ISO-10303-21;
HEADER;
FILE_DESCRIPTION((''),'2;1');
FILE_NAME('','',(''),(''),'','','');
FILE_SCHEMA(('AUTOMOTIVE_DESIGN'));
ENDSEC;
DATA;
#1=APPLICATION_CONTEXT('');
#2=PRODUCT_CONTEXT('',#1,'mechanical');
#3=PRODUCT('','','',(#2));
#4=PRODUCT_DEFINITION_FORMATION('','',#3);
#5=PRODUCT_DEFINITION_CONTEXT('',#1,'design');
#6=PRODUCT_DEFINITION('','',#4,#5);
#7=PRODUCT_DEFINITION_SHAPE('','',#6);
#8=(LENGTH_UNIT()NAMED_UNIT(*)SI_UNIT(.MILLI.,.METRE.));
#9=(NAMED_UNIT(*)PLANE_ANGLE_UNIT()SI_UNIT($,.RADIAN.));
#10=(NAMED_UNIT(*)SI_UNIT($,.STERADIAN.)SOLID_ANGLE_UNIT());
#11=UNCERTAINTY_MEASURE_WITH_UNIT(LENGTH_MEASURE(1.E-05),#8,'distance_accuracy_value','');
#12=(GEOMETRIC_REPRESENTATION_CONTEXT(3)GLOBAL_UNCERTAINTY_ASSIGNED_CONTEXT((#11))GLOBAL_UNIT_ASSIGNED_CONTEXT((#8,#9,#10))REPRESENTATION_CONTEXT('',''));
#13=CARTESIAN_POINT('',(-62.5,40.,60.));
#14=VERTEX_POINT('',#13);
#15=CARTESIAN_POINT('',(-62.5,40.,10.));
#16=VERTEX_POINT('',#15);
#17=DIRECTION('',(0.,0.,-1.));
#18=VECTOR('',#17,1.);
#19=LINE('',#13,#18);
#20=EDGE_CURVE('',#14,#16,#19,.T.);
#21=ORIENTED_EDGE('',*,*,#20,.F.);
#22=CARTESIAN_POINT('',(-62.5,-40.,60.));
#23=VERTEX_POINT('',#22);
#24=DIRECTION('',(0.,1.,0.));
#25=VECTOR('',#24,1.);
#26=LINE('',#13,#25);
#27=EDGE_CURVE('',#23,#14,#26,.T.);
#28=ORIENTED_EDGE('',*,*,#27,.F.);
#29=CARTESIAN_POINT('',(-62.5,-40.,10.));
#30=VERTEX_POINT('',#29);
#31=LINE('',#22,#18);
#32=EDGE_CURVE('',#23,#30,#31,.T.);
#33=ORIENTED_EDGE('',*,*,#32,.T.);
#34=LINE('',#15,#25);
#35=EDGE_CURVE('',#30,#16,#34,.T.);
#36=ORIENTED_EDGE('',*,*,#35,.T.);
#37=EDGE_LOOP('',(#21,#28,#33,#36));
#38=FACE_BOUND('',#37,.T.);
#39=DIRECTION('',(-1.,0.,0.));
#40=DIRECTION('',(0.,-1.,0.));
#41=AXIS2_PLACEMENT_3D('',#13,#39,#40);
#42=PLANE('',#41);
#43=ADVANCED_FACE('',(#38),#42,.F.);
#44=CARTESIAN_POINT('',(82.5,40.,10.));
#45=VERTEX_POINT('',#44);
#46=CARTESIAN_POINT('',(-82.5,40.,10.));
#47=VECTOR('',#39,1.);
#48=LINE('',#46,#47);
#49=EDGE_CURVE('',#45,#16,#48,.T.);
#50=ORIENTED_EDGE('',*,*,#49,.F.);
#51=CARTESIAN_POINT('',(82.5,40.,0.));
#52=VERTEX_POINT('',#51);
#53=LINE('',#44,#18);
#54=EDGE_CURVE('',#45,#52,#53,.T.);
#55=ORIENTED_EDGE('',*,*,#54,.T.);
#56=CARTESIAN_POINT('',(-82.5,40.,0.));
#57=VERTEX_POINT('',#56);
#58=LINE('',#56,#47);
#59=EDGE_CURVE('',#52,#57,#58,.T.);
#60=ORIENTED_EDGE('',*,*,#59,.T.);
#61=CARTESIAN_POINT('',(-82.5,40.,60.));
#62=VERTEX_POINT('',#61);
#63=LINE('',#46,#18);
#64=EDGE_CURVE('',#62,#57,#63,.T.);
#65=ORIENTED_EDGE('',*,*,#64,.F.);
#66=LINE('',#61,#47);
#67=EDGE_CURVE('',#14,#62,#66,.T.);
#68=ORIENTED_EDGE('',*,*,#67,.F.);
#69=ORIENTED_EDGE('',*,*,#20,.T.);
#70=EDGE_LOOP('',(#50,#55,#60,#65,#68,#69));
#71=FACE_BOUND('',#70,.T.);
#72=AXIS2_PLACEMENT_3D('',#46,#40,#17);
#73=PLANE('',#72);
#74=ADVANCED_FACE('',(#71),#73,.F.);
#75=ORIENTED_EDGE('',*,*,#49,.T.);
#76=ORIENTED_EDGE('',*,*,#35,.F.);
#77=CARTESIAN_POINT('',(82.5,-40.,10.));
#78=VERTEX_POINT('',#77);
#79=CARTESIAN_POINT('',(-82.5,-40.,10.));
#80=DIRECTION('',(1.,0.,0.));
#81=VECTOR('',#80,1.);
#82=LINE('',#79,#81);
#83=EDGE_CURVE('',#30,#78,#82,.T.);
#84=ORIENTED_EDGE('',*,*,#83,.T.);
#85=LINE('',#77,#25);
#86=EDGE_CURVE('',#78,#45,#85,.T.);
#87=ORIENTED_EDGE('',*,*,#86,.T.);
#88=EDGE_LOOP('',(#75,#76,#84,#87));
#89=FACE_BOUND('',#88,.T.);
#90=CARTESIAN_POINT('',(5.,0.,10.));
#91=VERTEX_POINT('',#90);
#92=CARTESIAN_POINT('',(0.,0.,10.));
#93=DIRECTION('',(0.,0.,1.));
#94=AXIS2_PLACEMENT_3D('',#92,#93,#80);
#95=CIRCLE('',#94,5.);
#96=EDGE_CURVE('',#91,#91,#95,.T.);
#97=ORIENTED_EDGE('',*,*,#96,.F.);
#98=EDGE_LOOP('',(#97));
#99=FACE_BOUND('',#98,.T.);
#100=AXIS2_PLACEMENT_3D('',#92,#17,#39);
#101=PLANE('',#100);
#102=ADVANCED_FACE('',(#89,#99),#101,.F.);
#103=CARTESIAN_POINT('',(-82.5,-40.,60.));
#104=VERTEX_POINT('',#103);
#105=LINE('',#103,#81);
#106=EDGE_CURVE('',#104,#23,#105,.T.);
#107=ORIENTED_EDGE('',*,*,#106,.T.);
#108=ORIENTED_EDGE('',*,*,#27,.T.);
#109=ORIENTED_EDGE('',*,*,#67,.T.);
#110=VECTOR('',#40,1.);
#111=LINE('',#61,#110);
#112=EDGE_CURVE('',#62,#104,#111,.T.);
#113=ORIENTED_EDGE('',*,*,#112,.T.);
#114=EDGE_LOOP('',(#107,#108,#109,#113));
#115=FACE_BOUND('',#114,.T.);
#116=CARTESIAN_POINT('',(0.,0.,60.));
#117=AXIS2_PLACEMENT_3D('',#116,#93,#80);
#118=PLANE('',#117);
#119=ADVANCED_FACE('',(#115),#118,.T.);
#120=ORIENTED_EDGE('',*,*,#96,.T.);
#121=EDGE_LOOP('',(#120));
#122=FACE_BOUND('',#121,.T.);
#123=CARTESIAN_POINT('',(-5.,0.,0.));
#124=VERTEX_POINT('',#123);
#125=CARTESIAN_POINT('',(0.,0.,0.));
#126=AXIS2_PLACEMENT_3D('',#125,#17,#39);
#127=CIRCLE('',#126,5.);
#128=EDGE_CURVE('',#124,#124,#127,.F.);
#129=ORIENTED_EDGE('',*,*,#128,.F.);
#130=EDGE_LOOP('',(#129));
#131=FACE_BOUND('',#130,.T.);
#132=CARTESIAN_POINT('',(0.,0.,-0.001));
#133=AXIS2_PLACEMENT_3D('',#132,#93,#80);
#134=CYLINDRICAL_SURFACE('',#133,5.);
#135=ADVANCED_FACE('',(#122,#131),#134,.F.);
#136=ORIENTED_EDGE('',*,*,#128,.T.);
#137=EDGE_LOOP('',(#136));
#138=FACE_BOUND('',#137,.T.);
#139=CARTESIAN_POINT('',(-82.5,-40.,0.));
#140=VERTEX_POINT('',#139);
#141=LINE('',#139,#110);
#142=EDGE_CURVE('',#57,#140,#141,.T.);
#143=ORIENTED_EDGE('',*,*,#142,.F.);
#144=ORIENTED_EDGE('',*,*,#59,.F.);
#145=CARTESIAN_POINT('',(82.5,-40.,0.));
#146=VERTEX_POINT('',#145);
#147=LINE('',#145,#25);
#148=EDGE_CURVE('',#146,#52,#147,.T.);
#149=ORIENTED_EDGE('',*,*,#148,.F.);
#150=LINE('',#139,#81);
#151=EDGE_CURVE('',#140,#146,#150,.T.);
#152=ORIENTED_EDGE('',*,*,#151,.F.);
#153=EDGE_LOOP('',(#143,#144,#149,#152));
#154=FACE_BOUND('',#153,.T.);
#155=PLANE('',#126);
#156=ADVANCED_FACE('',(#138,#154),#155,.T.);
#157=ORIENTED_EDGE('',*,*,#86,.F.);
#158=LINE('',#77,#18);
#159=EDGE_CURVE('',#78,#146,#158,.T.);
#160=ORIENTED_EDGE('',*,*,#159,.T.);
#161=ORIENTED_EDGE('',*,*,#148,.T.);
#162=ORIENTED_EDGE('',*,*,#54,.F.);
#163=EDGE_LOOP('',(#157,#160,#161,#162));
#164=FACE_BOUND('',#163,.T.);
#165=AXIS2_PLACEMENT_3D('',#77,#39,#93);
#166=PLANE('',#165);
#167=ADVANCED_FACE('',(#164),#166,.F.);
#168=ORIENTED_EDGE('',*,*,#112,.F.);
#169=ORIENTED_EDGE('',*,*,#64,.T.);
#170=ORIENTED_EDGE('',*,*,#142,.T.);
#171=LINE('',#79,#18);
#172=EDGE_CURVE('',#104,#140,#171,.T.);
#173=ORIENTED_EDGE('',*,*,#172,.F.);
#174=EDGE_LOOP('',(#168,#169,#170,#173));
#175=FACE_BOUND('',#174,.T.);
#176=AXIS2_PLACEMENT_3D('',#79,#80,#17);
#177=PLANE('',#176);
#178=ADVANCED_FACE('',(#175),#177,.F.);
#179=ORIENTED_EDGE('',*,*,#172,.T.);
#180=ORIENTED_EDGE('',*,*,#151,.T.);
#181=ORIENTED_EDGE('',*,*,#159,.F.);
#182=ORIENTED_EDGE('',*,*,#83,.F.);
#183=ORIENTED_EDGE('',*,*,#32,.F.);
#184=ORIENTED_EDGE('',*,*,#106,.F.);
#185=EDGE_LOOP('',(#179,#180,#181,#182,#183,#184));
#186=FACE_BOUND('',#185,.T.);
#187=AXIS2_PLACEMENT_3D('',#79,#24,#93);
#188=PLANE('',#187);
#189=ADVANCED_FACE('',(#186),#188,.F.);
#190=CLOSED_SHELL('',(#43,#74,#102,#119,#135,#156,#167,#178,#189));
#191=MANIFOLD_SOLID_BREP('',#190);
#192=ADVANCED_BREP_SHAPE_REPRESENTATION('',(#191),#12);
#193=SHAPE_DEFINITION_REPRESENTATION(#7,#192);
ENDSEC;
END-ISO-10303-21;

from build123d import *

# Parameters (mm, degrees)
SKETCH1_W           = 165
SKETCH1_H           = 80
BOSS_EXTRUDE1_DEPTH = 10
SKETCH2_W           = 20
SKETCH2_H           = 80
BOSS_EXTRUDE2_DEPTH = 50
CUT_EXTRUDE1_REACH  = 106.433
SKETCH3_R           = 5


with BuildPart() as part:
    # Sketch1 → Boss-Extrude1 (new body)
    with BuildSketch(Plane.XY):
        Rectangle(SKETCH1_W, SKETCH1_H)
    extrude(amount=BOSS_EXTRUDE1_DEPTH)

    # Sketch2 → Boss-Extrude2 (add)
    with BuildSketch(Plane.XY.offset(10)):
        with Locations((-72.5, 0)):
            Rectangle(SKETCH2_W, SKETCH2_H)
    extrude(amount=BOSS_EXTRUDE2_DEPTH)

    # Sketch3 → Cut-Extrude1 (cut, up to next)
    with BuildSketch(Plane.XY.offset(10), mode=Mode.PRIVATE) as cut_extrude1_sk1:
        Circle(SKETCH3_R)
    cut_extrude1_tool1 = extrude(cut_extrude1_sk1.sketch, amount=-CUT_EXTRUDE1_REACH, mode=Mode.PRIVATE) & part.part
    add(cut_extrude1_tool1.solids().sort_by_distance((0, 0, 10))[0], mode=Mode.SUBTRACT)


solid = part.part
